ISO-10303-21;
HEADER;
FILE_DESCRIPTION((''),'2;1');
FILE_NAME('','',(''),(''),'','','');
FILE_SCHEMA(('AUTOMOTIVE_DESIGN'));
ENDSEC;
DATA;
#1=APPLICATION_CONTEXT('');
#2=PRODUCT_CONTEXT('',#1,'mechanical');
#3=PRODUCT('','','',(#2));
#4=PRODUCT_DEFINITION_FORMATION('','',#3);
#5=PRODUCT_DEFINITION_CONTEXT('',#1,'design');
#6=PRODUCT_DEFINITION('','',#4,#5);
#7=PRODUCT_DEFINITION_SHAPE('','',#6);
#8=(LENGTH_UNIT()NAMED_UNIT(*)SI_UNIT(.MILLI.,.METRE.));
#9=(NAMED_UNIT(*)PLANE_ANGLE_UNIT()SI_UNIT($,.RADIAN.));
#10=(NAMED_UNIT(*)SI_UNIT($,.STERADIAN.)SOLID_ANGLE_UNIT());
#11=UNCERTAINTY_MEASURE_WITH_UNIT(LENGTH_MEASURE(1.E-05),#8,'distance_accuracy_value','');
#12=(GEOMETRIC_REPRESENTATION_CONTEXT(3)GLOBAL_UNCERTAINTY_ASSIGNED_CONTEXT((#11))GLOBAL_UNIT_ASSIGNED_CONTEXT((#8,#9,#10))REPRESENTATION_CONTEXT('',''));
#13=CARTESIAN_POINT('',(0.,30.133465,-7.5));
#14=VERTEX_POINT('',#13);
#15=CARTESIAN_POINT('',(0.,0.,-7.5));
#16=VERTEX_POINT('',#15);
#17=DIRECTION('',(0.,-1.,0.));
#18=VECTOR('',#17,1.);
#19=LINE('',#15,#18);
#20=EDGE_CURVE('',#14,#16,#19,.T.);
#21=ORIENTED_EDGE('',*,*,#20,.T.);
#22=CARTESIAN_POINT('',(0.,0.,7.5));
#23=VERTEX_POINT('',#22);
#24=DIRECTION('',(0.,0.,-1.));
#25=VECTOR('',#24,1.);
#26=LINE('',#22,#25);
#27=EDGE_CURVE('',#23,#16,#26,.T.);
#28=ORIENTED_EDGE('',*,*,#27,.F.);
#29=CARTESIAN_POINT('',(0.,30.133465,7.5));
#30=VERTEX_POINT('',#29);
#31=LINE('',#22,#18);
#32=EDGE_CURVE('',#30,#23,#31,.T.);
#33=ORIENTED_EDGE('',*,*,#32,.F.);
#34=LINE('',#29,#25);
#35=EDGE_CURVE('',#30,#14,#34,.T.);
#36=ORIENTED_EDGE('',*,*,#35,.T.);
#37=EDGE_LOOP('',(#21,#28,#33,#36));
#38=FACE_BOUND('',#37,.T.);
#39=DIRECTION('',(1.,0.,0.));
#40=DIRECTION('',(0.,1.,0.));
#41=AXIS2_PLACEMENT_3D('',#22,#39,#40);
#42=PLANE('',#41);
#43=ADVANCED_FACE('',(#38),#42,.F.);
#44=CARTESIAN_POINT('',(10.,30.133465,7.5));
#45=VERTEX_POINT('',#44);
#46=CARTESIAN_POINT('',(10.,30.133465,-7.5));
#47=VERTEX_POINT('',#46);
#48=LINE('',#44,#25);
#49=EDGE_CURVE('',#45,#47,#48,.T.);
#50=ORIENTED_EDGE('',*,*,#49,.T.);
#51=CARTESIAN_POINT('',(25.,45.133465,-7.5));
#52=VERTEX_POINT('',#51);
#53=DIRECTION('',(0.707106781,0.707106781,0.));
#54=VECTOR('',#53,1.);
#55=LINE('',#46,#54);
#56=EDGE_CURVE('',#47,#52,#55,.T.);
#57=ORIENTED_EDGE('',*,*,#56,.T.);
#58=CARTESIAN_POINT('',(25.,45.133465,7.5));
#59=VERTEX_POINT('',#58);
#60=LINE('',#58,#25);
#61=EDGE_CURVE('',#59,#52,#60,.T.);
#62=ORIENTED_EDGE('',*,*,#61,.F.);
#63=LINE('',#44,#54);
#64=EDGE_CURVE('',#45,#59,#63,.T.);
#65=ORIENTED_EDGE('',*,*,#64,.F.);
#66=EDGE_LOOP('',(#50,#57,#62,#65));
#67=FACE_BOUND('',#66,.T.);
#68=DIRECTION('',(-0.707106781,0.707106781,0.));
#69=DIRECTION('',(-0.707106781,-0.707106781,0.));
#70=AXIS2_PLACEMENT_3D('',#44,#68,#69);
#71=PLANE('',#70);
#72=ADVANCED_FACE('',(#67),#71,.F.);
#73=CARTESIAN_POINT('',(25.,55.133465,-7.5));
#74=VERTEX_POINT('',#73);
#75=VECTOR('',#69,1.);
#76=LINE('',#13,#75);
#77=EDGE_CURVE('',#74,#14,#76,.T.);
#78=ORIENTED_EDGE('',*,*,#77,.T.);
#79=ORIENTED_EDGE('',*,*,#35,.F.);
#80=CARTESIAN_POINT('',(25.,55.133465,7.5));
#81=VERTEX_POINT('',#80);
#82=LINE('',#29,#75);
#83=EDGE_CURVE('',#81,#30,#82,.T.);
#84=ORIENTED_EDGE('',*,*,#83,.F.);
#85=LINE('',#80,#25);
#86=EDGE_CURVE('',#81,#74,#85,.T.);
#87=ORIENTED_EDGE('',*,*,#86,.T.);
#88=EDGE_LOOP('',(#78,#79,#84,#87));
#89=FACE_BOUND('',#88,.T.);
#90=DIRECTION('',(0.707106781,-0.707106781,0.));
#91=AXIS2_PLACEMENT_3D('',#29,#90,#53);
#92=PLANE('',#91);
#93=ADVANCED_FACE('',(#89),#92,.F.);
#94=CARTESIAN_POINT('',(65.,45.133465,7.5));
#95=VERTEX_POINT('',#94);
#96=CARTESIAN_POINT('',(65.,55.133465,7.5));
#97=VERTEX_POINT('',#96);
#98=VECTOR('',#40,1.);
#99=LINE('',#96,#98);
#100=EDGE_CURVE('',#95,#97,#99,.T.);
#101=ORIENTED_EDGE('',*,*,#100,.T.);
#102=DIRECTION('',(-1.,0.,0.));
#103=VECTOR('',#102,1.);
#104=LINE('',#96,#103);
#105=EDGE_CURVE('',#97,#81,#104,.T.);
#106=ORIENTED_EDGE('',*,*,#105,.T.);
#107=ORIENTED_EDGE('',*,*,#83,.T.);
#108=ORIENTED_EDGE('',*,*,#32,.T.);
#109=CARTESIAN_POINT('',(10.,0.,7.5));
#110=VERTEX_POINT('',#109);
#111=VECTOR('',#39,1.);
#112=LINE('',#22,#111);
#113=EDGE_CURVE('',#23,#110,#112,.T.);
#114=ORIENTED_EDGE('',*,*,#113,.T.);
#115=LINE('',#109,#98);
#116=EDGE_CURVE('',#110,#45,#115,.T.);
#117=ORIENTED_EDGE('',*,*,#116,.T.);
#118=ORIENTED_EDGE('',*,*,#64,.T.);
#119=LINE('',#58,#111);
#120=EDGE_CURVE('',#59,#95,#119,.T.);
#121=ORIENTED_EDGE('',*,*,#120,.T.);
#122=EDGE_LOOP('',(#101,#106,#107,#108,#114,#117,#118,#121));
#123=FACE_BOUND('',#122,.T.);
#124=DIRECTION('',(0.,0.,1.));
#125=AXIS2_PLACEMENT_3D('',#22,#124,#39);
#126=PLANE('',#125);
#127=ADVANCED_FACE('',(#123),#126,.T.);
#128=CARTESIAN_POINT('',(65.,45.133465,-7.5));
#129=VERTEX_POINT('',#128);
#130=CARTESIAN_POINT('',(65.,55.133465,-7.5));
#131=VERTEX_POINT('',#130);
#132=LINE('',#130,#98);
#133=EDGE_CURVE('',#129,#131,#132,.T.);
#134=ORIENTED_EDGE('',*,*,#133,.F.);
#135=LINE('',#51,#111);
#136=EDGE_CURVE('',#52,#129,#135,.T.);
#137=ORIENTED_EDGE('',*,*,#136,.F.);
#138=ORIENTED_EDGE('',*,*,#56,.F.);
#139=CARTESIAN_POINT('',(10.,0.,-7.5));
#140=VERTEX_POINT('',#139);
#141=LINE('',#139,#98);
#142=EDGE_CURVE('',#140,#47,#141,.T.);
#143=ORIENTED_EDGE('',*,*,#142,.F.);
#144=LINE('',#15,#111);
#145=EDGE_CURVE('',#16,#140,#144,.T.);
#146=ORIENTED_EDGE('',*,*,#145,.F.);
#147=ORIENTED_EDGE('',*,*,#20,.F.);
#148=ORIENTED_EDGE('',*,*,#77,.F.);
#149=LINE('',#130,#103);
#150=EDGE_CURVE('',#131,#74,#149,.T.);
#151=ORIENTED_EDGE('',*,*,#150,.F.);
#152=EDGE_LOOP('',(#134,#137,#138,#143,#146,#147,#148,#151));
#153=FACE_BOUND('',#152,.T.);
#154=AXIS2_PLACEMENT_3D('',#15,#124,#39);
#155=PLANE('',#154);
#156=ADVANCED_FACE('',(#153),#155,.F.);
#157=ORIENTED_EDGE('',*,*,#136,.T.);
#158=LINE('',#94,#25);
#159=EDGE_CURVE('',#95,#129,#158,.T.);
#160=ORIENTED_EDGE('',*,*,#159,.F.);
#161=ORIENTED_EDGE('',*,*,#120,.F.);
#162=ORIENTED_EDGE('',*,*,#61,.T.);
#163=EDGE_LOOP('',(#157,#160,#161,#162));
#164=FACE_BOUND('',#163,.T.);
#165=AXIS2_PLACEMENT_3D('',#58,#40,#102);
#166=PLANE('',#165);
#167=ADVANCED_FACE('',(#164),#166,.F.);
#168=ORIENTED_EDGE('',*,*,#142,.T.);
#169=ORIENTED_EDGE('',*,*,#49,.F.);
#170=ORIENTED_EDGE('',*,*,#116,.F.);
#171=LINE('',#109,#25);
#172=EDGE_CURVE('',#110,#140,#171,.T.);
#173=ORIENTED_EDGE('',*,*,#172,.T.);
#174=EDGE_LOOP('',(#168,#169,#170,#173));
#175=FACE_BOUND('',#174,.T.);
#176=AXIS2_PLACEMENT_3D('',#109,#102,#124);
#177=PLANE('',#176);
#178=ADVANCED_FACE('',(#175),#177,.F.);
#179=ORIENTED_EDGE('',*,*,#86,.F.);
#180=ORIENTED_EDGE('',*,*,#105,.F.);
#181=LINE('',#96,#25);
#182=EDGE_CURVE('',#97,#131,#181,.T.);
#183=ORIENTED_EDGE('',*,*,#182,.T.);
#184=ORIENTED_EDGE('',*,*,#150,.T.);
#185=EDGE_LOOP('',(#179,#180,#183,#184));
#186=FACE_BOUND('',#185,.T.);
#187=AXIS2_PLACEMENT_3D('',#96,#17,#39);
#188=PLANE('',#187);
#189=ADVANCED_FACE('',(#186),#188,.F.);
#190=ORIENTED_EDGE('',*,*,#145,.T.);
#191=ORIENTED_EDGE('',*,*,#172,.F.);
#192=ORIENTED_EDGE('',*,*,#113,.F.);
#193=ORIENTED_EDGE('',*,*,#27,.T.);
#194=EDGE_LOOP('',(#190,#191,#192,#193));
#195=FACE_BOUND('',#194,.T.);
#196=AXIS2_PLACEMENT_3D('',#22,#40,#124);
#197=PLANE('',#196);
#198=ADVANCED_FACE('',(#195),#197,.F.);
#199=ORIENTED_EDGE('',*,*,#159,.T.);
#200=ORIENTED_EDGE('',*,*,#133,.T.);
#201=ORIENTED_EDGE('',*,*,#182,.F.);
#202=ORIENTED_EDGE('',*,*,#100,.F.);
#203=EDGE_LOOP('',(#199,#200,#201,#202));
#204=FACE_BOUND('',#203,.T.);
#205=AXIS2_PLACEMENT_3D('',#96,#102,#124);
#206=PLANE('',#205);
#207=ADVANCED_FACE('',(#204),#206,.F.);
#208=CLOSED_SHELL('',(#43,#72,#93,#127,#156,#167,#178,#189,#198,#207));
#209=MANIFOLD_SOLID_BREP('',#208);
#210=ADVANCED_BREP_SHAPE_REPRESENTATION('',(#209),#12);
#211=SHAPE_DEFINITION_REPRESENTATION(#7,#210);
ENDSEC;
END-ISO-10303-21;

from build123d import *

# Parameters (mm, degrees)
BOSS_EXTRUDE1_DEPTH = 7.5


with BuildPart() as part:
    # Sketch1 → Boss-Extrude1 (new body, symmetric)
    with BuildSketch(Plane.XY):
        Polygon((0, 0), (10, 0), (10, 30.133465151), (25, 45.133465151), (65, 45.133465151), (65, 55.133465151), (25, 55.133465151), (0, 30.133465151), align=None)
    extrude(amount=BOSS_EXTRUDE1_DEPTH, both=True)


solid = part.part
